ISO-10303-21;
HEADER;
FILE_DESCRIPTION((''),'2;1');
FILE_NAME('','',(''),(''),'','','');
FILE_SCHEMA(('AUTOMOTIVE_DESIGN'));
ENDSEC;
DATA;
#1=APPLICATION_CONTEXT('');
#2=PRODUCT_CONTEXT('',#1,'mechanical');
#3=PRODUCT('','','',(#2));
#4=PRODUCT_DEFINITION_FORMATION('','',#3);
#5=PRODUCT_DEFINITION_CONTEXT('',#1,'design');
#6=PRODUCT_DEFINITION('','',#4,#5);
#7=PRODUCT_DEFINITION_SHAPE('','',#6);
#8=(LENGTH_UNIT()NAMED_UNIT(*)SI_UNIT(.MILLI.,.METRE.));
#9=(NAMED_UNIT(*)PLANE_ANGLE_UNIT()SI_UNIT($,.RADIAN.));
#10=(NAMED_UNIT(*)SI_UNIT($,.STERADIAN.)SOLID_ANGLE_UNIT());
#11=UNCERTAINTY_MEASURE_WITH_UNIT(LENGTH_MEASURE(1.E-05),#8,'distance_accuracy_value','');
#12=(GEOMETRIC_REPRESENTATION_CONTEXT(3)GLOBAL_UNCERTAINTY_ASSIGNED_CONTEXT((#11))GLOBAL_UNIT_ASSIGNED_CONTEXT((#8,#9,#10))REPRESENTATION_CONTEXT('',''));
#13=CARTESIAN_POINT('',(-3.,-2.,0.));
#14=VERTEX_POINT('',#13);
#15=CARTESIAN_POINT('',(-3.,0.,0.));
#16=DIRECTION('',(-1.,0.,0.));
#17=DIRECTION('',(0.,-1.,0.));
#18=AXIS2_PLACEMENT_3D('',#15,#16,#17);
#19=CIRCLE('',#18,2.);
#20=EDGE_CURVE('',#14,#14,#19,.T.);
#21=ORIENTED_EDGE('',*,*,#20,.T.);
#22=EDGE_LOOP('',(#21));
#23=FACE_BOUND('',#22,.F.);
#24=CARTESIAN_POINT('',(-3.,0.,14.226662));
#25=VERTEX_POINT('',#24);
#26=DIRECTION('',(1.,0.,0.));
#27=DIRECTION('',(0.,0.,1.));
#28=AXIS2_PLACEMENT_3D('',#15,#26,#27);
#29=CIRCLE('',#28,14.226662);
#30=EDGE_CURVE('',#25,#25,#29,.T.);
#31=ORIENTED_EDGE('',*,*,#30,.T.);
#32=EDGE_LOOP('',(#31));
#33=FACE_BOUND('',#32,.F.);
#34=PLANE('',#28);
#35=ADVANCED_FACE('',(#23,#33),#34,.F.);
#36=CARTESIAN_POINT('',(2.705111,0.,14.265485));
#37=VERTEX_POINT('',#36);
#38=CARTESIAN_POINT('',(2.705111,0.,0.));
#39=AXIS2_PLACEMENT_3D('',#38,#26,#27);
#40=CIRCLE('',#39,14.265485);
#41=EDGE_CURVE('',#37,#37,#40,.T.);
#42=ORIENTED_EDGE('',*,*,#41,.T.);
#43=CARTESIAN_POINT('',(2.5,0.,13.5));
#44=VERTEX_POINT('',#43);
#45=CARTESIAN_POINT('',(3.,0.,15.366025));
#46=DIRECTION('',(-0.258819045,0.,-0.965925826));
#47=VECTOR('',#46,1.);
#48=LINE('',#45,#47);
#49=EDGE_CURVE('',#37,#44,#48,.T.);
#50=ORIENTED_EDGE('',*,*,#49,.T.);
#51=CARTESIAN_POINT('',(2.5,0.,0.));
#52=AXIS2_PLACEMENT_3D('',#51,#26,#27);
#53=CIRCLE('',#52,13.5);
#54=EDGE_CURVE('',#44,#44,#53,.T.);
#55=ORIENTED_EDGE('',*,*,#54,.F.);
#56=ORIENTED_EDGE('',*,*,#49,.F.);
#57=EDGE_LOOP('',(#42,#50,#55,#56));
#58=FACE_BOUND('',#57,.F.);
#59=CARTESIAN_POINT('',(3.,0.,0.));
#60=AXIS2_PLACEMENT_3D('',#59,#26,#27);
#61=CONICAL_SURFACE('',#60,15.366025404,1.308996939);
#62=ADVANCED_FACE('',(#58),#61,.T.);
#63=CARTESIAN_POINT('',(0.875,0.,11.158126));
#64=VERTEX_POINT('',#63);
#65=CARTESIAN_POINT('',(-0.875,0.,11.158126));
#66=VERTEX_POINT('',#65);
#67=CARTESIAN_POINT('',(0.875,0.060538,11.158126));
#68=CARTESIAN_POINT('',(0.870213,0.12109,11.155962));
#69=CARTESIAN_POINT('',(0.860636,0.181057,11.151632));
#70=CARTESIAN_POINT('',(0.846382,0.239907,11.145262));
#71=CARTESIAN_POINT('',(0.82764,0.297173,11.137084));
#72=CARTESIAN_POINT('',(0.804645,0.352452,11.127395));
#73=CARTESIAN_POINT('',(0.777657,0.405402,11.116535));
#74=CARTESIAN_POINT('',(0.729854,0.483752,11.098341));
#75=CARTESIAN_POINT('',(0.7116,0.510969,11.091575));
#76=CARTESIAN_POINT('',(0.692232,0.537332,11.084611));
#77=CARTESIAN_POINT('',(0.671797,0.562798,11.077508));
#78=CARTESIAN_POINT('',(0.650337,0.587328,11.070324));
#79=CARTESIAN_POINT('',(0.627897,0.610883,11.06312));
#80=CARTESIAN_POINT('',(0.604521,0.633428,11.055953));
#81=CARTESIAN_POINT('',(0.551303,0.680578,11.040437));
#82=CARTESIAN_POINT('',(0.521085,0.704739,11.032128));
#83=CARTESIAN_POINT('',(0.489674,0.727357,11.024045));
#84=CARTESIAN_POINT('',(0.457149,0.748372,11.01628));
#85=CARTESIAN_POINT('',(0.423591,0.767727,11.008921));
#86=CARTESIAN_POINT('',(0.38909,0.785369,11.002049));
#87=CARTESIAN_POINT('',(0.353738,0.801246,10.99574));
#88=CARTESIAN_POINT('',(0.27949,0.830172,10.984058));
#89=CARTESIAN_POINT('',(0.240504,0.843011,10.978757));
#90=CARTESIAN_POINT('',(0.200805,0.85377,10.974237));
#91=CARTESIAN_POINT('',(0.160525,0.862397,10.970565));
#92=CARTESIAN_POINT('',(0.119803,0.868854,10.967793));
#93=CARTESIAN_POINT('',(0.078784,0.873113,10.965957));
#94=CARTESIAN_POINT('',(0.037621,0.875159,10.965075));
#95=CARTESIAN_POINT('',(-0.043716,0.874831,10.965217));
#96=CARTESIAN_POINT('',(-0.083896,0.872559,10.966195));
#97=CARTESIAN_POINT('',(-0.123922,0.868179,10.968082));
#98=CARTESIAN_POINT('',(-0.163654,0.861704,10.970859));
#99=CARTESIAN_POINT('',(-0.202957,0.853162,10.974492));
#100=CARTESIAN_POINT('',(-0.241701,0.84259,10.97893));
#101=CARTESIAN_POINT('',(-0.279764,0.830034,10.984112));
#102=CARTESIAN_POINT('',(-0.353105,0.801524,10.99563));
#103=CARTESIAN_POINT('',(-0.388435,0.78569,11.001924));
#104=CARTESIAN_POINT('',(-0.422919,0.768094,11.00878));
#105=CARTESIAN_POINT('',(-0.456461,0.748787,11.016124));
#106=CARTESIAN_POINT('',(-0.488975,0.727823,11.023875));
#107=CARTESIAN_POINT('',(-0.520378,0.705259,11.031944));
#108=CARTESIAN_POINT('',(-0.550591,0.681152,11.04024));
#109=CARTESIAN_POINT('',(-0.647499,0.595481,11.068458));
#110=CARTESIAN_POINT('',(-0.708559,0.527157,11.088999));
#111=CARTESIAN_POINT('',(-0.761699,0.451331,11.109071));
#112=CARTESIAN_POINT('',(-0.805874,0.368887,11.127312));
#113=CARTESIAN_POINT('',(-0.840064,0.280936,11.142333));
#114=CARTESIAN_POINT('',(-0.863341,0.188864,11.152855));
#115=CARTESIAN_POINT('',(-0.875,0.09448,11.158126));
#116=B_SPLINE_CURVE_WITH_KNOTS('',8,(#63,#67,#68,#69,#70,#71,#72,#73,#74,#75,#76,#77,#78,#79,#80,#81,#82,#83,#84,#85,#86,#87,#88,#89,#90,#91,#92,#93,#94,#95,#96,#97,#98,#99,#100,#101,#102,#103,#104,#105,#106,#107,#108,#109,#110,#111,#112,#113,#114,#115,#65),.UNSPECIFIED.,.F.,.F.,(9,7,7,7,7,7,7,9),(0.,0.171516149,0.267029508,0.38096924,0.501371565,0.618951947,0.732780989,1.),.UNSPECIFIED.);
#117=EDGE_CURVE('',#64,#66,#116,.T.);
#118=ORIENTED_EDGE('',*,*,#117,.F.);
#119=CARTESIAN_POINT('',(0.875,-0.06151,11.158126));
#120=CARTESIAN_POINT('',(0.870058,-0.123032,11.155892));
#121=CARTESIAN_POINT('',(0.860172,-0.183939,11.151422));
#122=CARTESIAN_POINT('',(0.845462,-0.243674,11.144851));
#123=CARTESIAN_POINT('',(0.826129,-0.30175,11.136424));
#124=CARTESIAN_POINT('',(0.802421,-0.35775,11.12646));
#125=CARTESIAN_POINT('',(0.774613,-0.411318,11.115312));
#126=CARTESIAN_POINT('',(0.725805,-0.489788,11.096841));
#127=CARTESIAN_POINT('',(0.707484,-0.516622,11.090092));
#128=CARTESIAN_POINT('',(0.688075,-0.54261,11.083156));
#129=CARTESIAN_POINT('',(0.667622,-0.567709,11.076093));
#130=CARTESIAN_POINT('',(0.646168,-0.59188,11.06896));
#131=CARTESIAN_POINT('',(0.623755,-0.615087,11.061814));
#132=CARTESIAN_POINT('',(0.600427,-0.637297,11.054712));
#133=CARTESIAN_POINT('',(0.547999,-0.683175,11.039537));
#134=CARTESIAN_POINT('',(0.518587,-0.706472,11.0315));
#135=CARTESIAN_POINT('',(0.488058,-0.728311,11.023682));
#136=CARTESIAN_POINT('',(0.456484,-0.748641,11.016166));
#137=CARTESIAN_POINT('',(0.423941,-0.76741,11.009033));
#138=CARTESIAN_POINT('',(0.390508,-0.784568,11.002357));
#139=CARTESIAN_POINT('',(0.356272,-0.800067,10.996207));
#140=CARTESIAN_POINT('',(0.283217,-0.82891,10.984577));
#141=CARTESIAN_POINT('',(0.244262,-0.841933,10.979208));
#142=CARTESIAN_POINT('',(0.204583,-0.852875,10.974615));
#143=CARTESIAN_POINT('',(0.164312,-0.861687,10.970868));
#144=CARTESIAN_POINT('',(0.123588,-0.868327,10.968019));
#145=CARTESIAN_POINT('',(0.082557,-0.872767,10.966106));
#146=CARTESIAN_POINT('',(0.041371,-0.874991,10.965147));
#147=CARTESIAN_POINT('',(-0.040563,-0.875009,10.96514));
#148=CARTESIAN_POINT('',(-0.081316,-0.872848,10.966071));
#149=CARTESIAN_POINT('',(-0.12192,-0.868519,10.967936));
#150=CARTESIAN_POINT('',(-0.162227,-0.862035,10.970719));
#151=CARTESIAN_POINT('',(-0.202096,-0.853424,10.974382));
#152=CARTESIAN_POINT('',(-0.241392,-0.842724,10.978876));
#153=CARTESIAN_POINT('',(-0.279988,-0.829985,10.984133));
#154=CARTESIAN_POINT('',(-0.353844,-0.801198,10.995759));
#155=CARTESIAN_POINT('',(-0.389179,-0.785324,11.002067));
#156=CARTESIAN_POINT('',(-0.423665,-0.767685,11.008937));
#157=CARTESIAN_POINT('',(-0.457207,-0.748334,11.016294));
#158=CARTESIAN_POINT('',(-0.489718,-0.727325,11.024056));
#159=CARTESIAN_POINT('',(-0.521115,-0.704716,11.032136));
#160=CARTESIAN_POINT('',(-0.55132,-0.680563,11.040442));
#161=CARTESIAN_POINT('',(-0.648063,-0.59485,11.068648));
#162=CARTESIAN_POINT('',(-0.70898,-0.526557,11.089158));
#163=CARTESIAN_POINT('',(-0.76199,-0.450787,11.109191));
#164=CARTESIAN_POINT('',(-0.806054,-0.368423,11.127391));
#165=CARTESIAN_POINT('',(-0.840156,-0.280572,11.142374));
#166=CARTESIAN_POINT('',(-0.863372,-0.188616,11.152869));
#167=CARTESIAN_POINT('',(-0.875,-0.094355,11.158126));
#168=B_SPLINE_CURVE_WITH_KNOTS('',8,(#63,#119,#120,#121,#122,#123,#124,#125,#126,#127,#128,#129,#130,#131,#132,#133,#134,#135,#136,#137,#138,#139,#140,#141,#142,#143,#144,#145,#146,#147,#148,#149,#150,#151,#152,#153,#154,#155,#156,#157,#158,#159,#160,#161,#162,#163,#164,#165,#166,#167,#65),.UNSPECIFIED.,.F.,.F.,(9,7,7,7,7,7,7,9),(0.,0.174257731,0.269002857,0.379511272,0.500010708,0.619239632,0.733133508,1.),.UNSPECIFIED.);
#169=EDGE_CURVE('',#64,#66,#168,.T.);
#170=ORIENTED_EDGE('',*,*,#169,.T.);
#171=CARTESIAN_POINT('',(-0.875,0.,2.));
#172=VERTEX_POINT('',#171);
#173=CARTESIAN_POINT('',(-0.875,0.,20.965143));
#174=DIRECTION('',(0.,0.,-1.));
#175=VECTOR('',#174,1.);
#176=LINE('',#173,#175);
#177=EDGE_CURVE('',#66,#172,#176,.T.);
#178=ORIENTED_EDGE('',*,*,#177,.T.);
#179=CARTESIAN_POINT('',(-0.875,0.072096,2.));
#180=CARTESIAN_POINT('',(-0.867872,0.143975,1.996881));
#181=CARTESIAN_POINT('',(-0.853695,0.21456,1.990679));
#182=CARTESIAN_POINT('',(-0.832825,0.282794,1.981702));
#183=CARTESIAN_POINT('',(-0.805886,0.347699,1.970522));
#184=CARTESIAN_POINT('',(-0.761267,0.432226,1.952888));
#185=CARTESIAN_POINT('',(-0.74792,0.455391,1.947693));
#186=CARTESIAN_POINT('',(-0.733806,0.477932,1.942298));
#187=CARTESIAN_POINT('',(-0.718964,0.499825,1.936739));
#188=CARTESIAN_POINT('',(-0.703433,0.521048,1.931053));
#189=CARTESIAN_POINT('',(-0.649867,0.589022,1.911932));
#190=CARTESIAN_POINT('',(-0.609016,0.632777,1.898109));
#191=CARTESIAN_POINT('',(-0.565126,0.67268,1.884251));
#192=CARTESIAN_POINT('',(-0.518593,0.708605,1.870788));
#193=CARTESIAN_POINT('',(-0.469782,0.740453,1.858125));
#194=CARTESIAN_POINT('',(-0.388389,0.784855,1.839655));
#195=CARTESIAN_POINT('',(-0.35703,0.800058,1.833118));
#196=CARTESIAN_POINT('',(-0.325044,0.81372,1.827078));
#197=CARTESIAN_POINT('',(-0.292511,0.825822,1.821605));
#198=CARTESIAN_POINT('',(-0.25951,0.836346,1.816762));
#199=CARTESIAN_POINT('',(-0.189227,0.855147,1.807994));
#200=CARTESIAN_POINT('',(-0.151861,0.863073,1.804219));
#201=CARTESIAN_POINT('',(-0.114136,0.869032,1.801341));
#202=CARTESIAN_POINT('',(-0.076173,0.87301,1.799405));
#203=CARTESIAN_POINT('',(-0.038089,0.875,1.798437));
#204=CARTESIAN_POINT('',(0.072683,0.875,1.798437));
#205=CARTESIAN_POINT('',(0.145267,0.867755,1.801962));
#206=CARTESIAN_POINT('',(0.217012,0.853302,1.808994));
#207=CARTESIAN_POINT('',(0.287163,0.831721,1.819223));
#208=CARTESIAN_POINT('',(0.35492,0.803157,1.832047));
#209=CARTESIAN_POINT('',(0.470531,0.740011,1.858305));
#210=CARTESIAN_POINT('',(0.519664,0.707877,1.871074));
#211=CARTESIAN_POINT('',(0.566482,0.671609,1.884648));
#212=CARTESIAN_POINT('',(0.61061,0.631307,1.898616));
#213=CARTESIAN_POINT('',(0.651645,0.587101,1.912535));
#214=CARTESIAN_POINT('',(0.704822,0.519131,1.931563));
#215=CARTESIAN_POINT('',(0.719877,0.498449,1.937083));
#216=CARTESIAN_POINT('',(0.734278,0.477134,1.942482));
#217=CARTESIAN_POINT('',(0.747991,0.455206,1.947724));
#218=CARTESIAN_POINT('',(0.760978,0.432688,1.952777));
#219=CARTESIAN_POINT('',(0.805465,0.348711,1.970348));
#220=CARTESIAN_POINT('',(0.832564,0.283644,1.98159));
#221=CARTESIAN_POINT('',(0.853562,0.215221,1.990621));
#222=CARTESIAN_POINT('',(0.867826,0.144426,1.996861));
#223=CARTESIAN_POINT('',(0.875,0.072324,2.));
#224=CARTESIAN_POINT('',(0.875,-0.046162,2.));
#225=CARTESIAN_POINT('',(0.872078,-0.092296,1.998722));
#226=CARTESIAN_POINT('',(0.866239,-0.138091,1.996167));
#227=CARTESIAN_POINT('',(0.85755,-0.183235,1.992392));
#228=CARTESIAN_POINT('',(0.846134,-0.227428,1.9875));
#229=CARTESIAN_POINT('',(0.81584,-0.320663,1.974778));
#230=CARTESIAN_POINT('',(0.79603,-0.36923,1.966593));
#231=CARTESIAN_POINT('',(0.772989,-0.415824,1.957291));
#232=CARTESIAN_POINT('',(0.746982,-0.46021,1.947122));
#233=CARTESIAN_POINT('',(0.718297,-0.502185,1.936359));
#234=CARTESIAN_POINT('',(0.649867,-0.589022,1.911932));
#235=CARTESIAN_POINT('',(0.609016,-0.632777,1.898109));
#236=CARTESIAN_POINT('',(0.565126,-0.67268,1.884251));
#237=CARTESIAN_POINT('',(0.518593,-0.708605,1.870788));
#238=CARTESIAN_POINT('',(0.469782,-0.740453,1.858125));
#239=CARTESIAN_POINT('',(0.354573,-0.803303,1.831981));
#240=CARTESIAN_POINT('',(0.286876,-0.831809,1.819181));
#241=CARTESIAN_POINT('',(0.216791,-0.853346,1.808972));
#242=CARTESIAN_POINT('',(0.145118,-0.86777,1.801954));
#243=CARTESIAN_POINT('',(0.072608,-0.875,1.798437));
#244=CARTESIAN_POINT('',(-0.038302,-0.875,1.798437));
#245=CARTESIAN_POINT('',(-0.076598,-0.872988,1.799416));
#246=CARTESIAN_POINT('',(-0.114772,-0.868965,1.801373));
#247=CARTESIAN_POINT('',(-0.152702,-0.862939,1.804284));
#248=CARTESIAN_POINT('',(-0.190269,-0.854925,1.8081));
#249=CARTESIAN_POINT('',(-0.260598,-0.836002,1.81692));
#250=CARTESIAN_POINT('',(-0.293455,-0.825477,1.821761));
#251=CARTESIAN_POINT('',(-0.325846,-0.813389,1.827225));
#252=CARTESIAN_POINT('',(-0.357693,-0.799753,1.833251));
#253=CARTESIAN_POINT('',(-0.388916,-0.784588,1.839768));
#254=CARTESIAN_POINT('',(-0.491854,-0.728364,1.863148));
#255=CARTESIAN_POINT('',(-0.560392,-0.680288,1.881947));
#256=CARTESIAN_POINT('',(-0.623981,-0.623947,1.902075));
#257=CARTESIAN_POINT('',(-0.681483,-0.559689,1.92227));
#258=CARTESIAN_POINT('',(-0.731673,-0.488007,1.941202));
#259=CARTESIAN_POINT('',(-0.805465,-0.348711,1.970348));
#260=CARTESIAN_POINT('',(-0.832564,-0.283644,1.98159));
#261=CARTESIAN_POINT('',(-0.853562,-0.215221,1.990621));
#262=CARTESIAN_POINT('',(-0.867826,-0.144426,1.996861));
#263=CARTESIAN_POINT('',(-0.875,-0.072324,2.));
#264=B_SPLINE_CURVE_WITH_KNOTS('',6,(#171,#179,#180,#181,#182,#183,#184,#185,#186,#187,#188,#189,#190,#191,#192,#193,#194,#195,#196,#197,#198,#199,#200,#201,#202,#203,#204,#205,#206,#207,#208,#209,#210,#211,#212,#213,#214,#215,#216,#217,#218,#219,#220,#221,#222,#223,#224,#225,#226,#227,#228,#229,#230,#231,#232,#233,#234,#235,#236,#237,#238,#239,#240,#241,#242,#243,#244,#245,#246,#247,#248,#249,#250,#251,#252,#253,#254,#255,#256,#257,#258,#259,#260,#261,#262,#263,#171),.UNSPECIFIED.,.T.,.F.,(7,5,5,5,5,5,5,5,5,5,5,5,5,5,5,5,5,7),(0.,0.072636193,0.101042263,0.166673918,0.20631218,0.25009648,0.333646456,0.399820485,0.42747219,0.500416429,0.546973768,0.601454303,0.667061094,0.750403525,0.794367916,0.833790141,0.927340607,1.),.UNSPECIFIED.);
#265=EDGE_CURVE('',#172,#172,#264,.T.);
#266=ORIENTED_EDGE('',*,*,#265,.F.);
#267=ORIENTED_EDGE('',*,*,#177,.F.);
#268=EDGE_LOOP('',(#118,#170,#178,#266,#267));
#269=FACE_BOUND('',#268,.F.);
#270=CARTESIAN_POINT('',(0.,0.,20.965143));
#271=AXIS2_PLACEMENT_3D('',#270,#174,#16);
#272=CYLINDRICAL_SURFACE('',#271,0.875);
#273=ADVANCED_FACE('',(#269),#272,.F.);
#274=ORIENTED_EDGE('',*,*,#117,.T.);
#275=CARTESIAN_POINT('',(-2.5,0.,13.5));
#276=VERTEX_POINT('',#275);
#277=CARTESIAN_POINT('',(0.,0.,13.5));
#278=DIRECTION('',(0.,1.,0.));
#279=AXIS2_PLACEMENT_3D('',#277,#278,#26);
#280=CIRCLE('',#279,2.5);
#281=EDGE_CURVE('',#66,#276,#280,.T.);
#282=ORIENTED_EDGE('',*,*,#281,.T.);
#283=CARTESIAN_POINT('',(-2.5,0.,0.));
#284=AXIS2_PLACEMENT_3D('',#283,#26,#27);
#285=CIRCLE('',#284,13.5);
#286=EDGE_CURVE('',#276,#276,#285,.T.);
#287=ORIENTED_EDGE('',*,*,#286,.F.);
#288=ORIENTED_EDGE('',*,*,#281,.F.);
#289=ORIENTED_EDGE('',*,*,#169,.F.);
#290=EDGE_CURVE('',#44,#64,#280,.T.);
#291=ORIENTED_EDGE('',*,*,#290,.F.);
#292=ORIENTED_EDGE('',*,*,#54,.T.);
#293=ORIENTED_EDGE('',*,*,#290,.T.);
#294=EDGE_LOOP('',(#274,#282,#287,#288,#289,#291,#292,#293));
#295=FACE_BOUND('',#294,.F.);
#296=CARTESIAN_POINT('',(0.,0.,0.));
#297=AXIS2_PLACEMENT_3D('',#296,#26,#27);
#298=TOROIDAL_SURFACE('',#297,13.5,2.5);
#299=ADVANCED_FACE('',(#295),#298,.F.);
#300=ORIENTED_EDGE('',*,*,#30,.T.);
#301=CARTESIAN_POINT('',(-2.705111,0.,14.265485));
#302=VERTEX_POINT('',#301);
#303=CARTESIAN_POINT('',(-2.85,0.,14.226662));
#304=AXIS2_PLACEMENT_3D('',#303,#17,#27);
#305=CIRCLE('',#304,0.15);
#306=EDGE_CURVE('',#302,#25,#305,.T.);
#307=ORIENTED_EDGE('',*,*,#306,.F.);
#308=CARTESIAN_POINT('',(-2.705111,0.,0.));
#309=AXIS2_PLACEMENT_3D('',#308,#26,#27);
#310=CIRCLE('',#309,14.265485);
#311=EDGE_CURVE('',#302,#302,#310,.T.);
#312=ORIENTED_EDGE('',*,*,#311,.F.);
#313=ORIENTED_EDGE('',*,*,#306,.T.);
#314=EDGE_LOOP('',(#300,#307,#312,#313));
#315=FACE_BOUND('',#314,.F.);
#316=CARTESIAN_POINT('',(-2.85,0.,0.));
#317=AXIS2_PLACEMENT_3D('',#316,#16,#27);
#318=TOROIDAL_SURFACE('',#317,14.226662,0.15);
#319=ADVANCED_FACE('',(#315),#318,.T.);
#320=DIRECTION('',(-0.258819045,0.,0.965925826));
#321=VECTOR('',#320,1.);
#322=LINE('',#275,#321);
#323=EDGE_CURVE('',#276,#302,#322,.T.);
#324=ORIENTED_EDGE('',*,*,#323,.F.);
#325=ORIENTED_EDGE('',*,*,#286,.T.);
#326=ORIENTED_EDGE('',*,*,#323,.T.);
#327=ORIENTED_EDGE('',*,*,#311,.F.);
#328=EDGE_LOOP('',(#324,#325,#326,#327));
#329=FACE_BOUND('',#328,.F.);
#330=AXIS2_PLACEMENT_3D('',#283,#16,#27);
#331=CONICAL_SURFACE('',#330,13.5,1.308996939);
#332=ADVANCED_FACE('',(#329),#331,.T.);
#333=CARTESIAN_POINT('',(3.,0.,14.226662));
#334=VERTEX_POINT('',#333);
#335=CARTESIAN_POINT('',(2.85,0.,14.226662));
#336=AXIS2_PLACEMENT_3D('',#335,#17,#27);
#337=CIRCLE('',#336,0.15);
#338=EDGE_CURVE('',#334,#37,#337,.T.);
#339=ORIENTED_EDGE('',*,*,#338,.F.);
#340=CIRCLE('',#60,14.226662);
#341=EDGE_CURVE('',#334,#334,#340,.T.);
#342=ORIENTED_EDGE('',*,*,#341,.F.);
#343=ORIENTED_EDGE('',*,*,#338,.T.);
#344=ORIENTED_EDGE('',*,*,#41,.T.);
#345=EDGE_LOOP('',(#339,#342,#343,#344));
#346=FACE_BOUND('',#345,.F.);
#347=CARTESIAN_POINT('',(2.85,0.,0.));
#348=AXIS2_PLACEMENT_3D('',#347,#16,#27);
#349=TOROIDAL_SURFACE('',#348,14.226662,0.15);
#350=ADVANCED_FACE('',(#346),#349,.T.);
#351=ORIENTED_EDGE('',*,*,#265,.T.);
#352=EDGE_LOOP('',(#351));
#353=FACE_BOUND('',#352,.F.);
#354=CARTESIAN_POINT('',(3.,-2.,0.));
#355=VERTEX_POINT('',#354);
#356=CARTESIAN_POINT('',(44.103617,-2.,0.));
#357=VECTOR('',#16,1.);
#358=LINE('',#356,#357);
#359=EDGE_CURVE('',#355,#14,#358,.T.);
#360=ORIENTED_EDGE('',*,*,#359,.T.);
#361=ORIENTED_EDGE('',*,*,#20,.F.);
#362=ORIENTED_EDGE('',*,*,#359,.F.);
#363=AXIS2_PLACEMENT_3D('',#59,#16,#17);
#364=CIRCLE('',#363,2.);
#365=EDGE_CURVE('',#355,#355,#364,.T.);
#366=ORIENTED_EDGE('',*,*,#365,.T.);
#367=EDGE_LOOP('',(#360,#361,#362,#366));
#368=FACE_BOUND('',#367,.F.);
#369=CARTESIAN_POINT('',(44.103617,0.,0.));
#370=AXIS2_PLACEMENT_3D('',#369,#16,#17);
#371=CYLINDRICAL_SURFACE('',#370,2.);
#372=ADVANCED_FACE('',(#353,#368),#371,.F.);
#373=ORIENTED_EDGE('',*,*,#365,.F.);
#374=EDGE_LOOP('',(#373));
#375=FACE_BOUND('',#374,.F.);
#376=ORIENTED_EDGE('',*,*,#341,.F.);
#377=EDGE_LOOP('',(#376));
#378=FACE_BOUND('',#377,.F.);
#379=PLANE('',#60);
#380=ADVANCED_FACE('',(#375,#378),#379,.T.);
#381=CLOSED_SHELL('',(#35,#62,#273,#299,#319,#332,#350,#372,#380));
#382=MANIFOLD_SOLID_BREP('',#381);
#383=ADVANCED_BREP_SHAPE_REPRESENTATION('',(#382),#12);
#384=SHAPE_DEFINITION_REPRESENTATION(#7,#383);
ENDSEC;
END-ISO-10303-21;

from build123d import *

# Parameters (mm, degrees)
F2_R     = 0.15
F4_D     = 4
F7_D     = 1.75
F7_DEPTH = 10
F7_START = 1.0348565
F7_TIP   = 0.5257530416


with BuildPart() as f1:
    # F0 (on Front) → F1 (revolve)
    with BuildSketch(Plane.XZ):
        with BuildLine():
            ThreePointArc((2.5, 13.5), (0, 11), (-2.5, 13.5))
            Line((-2.5, 13.5), (-3, 15.3660254038))
            Line((-3, 15.3660254038), (-3, 13.5))
            Line((-3, 13.5), (-3, 0))
            Line((-3, 0), (3, 0))
            Line((3, 0), (3, 13.5))
            Line((3, 13.5), (3, 15.3660254038))
            Line((3, 15.3660254038), (2.5, 13.5))
        make_face()
    revolve(axis=Axis((0, 0, 0), (1, 0, 0)))

    # F2
    f2_edges = [f1.edges().sort_by_distance(p)[0] for p in [
        (-3, 0, -15.366025),
        (3, 0, -15.366025),
    ]]
    fillet(f2_edges, radius=F2_R)

    # F4 (through all)
    with Locations(Plane.YZ.offset(3)):
        with Locations((0, 0)):
            Hole(F4_D / 2)

    # F7
    # its depths count from where the whole tool has entered the part; down to there all is cleared
    with Locations(Plane.XY.offset(12).offset(-F7_START)):
        with Locations((0, 0)):
            Hole(F7_D / 2, depth=F7_DEPTH)
            with Locations((0, 0, -(F7_DEPTH + F7_TIP / 2))):  # 118° drill point
                Cone(0, F7_D / 2, F7_TIP, mode=Mode.SUBTRACT)


solid = f1.part
